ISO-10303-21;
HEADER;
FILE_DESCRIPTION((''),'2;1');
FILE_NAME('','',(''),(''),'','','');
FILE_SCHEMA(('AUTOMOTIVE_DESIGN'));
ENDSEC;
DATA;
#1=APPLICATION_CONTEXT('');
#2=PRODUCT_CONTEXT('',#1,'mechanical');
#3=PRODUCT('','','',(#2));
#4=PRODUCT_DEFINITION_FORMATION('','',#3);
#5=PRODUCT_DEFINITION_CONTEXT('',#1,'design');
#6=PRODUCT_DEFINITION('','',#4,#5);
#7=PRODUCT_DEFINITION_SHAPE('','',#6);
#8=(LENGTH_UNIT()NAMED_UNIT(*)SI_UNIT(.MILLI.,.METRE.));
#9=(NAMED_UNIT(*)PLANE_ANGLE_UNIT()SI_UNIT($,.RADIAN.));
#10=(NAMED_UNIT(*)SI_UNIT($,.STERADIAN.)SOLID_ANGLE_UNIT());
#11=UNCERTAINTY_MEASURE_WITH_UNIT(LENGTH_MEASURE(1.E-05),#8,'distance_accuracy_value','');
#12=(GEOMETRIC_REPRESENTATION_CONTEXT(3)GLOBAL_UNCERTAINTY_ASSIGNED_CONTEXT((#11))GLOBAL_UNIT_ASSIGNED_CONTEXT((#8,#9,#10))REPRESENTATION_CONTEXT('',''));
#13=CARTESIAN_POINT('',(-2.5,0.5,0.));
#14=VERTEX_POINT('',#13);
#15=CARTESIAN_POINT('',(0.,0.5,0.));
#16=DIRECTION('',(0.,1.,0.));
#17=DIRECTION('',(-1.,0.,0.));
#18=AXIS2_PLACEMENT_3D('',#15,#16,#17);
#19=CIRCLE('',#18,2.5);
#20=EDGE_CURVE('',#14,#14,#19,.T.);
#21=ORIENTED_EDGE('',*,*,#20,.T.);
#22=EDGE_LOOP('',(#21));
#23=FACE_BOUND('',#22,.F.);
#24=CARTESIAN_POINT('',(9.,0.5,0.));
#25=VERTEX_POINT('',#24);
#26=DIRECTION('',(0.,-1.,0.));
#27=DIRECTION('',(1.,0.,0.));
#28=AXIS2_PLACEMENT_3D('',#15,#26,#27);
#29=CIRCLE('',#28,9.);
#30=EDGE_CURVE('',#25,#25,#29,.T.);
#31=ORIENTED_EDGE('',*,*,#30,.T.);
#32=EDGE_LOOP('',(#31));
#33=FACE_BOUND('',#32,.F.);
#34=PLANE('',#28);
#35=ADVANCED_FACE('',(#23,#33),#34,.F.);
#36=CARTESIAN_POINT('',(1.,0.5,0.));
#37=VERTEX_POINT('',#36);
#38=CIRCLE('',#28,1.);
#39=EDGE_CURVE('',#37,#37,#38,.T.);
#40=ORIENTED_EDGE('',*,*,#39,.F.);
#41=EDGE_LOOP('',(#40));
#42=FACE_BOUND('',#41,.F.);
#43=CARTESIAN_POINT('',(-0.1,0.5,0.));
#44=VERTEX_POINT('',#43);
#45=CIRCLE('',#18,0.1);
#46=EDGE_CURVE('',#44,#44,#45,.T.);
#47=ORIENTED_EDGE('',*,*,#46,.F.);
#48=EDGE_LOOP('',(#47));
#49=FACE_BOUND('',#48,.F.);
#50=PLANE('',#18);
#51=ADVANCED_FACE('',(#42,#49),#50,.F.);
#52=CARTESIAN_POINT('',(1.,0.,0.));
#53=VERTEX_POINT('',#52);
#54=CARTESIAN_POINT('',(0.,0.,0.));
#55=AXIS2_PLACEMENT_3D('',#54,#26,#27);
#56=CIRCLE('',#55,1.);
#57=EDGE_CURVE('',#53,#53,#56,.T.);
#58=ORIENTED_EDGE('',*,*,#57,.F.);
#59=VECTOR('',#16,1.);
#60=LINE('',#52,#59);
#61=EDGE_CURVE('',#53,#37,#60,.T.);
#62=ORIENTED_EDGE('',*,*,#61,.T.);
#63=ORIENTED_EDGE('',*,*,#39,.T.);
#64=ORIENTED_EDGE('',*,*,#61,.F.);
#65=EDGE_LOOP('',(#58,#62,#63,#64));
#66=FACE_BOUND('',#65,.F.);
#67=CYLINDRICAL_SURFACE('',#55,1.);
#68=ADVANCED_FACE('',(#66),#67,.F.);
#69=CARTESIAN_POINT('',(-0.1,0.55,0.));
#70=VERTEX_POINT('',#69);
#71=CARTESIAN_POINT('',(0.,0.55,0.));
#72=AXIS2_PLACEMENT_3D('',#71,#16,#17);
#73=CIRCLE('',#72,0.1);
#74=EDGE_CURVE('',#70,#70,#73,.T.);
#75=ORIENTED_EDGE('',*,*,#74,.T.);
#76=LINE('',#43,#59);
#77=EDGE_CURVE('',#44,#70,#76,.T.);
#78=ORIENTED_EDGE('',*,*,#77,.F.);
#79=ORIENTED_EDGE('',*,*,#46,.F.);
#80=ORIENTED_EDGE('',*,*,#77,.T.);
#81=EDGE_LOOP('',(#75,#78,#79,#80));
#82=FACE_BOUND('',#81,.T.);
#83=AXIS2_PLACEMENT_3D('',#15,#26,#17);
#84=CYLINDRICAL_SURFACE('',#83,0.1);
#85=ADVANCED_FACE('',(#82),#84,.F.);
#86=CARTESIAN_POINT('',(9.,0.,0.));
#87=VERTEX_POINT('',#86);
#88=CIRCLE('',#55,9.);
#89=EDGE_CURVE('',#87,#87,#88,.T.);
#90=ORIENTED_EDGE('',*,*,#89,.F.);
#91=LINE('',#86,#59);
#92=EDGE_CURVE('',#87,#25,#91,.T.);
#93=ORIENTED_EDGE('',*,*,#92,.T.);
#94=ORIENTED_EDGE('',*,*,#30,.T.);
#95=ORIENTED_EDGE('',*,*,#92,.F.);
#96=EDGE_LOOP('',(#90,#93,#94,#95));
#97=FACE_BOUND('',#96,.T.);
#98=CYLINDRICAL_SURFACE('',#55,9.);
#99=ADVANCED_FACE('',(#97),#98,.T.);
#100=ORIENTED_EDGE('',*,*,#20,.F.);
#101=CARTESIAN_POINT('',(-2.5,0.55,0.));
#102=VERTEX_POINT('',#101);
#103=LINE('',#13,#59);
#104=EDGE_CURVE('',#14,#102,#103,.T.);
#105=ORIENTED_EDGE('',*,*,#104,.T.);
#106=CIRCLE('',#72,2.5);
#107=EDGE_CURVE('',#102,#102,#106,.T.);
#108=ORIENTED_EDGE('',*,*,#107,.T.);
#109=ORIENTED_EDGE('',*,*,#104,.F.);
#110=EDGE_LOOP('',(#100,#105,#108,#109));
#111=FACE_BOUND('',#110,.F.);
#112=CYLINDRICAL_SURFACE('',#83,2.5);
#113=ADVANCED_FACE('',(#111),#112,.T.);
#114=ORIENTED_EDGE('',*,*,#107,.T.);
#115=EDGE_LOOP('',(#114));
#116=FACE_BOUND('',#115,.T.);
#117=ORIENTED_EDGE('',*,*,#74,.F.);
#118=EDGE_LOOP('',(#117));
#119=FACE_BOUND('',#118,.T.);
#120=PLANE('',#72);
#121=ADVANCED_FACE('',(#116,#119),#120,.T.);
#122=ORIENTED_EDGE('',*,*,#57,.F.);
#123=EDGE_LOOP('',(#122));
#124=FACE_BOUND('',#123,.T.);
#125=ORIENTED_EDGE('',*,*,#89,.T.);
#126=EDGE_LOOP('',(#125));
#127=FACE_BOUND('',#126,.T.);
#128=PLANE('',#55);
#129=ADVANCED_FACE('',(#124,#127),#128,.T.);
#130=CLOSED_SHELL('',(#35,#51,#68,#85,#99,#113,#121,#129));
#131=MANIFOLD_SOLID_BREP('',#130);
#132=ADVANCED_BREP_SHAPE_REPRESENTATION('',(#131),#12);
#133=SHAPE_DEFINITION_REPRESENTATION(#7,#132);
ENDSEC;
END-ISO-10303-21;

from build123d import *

# Parameters (mm, degrees)
F0_R     = 9
F0_R_2   = 1
F1_DEPTH = 0.5
F2_R     = 2.5
F2_R_2   = 0.1
F3_DEPTH = 0.05


with BuildPart() as f1:
    # F0 (on Front) → F1 (new body)
    with BuildSketch(Plane.XZ):
        Circle(F0_R)
        Circle(F0_R_2, mode=Mode.SUBTRACT)
    extrude(amount=-F1_DEPTH)

    # F2 (on face) → F3 (join)
    with BuildSketch(Plane(origin=(0, 0.5, 0), x_dir=(-1, 0, 0), z_dir=(0, 1, 0))):
        Circle(F2_R)
        Circle(F2_R_2, mode=Mode.SUBTRACT)
    extrude(amount=F3_DEPTH)


solid = f1.part
